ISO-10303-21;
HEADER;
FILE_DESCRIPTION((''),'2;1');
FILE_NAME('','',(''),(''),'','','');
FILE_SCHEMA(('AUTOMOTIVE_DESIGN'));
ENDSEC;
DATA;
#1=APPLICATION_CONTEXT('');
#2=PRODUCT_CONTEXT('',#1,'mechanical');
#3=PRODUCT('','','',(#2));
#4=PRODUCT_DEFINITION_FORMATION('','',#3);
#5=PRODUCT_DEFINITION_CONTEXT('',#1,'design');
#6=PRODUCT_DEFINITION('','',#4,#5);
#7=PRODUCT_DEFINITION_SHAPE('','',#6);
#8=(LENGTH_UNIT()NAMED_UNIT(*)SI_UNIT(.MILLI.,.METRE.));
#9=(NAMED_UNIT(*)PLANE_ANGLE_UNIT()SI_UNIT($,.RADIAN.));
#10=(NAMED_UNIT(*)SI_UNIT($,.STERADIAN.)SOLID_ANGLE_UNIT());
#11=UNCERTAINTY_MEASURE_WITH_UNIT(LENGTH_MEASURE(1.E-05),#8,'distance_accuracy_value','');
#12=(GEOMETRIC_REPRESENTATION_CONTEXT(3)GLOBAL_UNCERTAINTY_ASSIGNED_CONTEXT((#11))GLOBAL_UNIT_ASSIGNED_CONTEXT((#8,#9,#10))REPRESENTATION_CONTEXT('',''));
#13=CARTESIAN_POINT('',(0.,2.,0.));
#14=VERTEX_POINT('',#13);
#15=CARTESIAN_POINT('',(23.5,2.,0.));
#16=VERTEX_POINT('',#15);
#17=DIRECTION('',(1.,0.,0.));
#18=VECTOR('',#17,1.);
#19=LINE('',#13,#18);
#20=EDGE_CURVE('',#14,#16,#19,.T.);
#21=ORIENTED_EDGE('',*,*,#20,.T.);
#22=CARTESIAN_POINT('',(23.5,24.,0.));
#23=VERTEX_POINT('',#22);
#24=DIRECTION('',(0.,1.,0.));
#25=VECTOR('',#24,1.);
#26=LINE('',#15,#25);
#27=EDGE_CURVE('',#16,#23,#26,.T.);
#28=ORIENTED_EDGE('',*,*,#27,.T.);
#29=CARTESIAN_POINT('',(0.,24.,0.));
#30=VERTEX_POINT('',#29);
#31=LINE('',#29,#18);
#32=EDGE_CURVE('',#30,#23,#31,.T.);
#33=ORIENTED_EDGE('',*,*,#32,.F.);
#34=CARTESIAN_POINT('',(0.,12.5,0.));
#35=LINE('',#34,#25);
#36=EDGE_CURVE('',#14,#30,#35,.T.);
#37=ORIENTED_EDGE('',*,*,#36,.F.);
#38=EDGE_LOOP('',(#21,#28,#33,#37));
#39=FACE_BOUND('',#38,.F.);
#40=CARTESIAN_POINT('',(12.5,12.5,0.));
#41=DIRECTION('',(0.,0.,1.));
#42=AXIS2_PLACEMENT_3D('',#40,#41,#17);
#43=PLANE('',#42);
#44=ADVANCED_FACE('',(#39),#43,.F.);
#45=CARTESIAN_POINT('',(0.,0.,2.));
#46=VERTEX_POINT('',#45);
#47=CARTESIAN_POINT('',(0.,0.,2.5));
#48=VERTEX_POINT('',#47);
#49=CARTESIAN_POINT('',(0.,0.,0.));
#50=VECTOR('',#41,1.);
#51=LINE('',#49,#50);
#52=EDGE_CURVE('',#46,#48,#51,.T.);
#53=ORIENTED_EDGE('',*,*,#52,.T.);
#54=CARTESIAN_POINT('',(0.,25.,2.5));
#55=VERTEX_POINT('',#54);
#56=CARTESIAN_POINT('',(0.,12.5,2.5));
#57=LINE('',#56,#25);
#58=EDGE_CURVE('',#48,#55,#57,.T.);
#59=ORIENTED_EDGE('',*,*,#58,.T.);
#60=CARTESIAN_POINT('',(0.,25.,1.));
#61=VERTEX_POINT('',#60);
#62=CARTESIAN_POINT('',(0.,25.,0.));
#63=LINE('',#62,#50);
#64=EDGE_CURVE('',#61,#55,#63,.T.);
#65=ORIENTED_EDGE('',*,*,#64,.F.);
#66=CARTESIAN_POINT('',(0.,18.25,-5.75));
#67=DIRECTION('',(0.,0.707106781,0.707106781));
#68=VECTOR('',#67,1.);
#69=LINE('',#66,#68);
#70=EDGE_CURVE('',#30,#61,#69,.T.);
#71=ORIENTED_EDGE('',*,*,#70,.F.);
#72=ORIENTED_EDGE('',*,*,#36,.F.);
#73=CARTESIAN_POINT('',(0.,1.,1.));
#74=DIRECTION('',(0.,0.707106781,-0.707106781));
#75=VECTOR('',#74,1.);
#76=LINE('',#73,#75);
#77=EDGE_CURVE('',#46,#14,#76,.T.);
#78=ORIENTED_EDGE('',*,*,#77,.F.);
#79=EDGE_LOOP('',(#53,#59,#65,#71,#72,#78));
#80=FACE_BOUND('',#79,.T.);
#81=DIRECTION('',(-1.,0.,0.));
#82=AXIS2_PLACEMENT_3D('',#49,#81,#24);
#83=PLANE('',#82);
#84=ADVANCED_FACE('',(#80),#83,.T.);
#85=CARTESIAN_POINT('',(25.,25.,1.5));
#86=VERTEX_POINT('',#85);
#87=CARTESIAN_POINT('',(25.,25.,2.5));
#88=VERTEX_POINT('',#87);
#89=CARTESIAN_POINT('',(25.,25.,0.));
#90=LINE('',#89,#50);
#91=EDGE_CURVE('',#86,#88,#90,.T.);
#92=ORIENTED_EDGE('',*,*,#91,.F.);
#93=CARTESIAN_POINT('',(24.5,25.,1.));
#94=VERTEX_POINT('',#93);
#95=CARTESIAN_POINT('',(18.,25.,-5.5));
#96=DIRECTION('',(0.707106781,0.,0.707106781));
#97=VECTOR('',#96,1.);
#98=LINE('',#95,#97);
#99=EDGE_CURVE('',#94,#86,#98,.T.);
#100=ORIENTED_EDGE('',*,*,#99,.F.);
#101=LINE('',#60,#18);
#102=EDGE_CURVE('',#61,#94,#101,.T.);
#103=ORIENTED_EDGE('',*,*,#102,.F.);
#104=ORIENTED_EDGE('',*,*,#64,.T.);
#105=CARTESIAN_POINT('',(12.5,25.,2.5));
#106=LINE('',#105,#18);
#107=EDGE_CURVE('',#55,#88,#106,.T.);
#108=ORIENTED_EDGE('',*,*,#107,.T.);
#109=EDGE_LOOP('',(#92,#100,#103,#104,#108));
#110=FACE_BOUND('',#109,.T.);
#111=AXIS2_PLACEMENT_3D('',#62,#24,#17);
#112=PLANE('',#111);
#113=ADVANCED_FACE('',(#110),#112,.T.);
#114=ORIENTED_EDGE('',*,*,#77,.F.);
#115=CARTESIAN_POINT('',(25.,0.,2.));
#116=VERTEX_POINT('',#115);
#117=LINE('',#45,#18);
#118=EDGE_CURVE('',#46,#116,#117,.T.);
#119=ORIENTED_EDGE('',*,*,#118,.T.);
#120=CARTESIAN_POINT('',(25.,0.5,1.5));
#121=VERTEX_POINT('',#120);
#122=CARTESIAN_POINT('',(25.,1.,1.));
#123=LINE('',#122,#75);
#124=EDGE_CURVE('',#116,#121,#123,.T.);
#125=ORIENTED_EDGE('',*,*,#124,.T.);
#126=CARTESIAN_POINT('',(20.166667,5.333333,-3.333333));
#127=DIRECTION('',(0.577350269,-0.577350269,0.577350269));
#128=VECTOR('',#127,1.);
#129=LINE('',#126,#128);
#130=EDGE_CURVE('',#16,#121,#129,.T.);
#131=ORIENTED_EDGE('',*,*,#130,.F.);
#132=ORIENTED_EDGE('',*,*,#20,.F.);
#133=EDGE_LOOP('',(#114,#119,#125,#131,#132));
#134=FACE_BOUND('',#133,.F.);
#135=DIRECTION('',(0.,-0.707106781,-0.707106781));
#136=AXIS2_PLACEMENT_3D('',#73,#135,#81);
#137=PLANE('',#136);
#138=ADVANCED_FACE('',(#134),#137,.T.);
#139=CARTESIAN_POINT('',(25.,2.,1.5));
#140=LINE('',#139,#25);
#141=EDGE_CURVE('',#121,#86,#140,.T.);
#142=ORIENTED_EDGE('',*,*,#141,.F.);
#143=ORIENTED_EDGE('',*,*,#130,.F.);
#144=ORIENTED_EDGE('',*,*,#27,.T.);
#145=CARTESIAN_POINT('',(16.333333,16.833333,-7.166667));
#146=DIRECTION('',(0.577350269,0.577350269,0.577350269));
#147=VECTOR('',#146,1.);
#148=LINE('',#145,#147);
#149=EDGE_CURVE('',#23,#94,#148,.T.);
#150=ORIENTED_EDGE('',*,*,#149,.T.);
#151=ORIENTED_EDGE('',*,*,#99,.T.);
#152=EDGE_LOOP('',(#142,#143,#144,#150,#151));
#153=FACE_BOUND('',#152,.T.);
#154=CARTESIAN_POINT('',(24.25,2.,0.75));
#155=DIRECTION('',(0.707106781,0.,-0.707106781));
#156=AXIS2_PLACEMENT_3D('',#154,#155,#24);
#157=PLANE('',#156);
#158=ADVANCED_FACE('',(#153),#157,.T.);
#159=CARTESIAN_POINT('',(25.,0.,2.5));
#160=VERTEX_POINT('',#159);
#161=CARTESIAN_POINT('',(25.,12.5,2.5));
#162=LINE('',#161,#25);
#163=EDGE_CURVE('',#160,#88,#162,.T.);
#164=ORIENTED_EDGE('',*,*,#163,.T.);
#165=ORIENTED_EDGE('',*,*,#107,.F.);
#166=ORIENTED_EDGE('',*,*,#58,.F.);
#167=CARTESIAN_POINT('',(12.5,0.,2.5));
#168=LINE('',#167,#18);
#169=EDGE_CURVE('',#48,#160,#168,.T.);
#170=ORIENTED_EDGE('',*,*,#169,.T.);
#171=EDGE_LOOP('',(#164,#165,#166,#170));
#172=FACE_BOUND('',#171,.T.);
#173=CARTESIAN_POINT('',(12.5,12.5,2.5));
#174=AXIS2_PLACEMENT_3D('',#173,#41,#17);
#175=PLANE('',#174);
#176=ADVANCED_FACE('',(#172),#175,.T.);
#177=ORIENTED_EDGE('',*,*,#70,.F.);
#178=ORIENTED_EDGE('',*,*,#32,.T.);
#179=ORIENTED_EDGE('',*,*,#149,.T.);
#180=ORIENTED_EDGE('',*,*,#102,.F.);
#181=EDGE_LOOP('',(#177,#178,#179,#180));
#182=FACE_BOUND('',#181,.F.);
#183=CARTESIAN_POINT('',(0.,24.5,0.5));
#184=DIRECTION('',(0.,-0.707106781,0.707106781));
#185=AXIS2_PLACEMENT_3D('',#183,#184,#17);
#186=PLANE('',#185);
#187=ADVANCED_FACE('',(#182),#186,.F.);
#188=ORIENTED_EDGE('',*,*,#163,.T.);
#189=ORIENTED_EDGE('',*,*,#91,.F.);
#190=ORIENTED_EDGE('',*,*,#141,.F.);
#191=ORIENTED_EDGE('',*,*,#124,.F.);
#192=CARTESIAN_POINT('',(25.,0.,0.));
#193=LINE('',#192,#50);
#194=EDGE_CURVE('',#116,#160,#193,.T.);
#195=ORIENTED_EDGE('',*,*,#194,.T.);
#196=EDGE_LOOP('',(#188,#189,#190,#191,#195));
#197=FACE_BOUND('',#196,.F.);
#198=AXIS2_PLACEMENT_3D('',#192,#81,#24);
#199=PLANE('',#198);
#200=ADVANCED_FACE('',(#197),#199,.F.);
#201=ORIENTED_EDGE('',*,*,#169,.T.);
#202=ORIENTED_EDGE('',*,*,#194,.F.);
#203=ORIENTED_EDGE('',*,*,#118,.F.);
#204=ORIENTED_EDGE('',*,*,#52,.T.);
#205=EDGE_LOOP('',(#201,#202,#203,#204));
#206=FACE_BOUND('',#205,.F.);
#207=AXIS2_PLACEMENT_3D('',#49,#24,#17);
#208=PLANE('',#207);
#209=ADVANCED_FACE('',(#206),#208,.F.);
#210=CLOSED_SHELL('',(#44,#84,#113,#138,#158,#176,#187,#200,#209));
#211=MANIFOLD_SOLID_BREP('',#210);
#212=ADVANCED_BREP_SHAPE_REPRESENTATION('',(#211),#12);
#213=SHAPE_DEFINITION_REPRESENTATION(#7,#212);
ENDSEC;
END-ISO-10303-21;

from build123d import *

# Parameters (mm, degrees)
SKETCH_W        = 25
SKETCH_H        = 25
PAD_DEPTH       = 2.5
CHAMFER_SIZE    = 2
CHAMFER001_SIZE = 1.5
CHAMFER002_SIZE = 1


with BuildPart() as part:
    # Sketch → Pad (new body)
    with BuildSketch(Plane.XY):
        with Locations((12.5, 12.5)):
            Rectangle(SKETCH_W, SKETCH_H)
    extrude(amount=PAD_DEPTH)

    # Chamfer
    chamfer_edges = [part.edges().sort_by_distance(p)[0] for p in [
        (12.5, 0, 0),
    ]]
    chamfer(chamfer_edges, length=CHAMFER_SIZE)

    # Chamfer001
    chamfer001_edges = [part.edges().sort_by_distance(p)[0] for p in [
        (25, 13.5, 0),
    ]]
    chamfer(chamfer001_edges, length=CHAMFER001_SIZE)

    # Chamfer002
    chamfer002_edges = [part.edges().sort_by_distance(p)[0] for p in [
        (11.75, 25, 0),
    ]]
    chamfer(chamfer002_edges, length=CHAMFER002_SIZE)


solid = part.part
